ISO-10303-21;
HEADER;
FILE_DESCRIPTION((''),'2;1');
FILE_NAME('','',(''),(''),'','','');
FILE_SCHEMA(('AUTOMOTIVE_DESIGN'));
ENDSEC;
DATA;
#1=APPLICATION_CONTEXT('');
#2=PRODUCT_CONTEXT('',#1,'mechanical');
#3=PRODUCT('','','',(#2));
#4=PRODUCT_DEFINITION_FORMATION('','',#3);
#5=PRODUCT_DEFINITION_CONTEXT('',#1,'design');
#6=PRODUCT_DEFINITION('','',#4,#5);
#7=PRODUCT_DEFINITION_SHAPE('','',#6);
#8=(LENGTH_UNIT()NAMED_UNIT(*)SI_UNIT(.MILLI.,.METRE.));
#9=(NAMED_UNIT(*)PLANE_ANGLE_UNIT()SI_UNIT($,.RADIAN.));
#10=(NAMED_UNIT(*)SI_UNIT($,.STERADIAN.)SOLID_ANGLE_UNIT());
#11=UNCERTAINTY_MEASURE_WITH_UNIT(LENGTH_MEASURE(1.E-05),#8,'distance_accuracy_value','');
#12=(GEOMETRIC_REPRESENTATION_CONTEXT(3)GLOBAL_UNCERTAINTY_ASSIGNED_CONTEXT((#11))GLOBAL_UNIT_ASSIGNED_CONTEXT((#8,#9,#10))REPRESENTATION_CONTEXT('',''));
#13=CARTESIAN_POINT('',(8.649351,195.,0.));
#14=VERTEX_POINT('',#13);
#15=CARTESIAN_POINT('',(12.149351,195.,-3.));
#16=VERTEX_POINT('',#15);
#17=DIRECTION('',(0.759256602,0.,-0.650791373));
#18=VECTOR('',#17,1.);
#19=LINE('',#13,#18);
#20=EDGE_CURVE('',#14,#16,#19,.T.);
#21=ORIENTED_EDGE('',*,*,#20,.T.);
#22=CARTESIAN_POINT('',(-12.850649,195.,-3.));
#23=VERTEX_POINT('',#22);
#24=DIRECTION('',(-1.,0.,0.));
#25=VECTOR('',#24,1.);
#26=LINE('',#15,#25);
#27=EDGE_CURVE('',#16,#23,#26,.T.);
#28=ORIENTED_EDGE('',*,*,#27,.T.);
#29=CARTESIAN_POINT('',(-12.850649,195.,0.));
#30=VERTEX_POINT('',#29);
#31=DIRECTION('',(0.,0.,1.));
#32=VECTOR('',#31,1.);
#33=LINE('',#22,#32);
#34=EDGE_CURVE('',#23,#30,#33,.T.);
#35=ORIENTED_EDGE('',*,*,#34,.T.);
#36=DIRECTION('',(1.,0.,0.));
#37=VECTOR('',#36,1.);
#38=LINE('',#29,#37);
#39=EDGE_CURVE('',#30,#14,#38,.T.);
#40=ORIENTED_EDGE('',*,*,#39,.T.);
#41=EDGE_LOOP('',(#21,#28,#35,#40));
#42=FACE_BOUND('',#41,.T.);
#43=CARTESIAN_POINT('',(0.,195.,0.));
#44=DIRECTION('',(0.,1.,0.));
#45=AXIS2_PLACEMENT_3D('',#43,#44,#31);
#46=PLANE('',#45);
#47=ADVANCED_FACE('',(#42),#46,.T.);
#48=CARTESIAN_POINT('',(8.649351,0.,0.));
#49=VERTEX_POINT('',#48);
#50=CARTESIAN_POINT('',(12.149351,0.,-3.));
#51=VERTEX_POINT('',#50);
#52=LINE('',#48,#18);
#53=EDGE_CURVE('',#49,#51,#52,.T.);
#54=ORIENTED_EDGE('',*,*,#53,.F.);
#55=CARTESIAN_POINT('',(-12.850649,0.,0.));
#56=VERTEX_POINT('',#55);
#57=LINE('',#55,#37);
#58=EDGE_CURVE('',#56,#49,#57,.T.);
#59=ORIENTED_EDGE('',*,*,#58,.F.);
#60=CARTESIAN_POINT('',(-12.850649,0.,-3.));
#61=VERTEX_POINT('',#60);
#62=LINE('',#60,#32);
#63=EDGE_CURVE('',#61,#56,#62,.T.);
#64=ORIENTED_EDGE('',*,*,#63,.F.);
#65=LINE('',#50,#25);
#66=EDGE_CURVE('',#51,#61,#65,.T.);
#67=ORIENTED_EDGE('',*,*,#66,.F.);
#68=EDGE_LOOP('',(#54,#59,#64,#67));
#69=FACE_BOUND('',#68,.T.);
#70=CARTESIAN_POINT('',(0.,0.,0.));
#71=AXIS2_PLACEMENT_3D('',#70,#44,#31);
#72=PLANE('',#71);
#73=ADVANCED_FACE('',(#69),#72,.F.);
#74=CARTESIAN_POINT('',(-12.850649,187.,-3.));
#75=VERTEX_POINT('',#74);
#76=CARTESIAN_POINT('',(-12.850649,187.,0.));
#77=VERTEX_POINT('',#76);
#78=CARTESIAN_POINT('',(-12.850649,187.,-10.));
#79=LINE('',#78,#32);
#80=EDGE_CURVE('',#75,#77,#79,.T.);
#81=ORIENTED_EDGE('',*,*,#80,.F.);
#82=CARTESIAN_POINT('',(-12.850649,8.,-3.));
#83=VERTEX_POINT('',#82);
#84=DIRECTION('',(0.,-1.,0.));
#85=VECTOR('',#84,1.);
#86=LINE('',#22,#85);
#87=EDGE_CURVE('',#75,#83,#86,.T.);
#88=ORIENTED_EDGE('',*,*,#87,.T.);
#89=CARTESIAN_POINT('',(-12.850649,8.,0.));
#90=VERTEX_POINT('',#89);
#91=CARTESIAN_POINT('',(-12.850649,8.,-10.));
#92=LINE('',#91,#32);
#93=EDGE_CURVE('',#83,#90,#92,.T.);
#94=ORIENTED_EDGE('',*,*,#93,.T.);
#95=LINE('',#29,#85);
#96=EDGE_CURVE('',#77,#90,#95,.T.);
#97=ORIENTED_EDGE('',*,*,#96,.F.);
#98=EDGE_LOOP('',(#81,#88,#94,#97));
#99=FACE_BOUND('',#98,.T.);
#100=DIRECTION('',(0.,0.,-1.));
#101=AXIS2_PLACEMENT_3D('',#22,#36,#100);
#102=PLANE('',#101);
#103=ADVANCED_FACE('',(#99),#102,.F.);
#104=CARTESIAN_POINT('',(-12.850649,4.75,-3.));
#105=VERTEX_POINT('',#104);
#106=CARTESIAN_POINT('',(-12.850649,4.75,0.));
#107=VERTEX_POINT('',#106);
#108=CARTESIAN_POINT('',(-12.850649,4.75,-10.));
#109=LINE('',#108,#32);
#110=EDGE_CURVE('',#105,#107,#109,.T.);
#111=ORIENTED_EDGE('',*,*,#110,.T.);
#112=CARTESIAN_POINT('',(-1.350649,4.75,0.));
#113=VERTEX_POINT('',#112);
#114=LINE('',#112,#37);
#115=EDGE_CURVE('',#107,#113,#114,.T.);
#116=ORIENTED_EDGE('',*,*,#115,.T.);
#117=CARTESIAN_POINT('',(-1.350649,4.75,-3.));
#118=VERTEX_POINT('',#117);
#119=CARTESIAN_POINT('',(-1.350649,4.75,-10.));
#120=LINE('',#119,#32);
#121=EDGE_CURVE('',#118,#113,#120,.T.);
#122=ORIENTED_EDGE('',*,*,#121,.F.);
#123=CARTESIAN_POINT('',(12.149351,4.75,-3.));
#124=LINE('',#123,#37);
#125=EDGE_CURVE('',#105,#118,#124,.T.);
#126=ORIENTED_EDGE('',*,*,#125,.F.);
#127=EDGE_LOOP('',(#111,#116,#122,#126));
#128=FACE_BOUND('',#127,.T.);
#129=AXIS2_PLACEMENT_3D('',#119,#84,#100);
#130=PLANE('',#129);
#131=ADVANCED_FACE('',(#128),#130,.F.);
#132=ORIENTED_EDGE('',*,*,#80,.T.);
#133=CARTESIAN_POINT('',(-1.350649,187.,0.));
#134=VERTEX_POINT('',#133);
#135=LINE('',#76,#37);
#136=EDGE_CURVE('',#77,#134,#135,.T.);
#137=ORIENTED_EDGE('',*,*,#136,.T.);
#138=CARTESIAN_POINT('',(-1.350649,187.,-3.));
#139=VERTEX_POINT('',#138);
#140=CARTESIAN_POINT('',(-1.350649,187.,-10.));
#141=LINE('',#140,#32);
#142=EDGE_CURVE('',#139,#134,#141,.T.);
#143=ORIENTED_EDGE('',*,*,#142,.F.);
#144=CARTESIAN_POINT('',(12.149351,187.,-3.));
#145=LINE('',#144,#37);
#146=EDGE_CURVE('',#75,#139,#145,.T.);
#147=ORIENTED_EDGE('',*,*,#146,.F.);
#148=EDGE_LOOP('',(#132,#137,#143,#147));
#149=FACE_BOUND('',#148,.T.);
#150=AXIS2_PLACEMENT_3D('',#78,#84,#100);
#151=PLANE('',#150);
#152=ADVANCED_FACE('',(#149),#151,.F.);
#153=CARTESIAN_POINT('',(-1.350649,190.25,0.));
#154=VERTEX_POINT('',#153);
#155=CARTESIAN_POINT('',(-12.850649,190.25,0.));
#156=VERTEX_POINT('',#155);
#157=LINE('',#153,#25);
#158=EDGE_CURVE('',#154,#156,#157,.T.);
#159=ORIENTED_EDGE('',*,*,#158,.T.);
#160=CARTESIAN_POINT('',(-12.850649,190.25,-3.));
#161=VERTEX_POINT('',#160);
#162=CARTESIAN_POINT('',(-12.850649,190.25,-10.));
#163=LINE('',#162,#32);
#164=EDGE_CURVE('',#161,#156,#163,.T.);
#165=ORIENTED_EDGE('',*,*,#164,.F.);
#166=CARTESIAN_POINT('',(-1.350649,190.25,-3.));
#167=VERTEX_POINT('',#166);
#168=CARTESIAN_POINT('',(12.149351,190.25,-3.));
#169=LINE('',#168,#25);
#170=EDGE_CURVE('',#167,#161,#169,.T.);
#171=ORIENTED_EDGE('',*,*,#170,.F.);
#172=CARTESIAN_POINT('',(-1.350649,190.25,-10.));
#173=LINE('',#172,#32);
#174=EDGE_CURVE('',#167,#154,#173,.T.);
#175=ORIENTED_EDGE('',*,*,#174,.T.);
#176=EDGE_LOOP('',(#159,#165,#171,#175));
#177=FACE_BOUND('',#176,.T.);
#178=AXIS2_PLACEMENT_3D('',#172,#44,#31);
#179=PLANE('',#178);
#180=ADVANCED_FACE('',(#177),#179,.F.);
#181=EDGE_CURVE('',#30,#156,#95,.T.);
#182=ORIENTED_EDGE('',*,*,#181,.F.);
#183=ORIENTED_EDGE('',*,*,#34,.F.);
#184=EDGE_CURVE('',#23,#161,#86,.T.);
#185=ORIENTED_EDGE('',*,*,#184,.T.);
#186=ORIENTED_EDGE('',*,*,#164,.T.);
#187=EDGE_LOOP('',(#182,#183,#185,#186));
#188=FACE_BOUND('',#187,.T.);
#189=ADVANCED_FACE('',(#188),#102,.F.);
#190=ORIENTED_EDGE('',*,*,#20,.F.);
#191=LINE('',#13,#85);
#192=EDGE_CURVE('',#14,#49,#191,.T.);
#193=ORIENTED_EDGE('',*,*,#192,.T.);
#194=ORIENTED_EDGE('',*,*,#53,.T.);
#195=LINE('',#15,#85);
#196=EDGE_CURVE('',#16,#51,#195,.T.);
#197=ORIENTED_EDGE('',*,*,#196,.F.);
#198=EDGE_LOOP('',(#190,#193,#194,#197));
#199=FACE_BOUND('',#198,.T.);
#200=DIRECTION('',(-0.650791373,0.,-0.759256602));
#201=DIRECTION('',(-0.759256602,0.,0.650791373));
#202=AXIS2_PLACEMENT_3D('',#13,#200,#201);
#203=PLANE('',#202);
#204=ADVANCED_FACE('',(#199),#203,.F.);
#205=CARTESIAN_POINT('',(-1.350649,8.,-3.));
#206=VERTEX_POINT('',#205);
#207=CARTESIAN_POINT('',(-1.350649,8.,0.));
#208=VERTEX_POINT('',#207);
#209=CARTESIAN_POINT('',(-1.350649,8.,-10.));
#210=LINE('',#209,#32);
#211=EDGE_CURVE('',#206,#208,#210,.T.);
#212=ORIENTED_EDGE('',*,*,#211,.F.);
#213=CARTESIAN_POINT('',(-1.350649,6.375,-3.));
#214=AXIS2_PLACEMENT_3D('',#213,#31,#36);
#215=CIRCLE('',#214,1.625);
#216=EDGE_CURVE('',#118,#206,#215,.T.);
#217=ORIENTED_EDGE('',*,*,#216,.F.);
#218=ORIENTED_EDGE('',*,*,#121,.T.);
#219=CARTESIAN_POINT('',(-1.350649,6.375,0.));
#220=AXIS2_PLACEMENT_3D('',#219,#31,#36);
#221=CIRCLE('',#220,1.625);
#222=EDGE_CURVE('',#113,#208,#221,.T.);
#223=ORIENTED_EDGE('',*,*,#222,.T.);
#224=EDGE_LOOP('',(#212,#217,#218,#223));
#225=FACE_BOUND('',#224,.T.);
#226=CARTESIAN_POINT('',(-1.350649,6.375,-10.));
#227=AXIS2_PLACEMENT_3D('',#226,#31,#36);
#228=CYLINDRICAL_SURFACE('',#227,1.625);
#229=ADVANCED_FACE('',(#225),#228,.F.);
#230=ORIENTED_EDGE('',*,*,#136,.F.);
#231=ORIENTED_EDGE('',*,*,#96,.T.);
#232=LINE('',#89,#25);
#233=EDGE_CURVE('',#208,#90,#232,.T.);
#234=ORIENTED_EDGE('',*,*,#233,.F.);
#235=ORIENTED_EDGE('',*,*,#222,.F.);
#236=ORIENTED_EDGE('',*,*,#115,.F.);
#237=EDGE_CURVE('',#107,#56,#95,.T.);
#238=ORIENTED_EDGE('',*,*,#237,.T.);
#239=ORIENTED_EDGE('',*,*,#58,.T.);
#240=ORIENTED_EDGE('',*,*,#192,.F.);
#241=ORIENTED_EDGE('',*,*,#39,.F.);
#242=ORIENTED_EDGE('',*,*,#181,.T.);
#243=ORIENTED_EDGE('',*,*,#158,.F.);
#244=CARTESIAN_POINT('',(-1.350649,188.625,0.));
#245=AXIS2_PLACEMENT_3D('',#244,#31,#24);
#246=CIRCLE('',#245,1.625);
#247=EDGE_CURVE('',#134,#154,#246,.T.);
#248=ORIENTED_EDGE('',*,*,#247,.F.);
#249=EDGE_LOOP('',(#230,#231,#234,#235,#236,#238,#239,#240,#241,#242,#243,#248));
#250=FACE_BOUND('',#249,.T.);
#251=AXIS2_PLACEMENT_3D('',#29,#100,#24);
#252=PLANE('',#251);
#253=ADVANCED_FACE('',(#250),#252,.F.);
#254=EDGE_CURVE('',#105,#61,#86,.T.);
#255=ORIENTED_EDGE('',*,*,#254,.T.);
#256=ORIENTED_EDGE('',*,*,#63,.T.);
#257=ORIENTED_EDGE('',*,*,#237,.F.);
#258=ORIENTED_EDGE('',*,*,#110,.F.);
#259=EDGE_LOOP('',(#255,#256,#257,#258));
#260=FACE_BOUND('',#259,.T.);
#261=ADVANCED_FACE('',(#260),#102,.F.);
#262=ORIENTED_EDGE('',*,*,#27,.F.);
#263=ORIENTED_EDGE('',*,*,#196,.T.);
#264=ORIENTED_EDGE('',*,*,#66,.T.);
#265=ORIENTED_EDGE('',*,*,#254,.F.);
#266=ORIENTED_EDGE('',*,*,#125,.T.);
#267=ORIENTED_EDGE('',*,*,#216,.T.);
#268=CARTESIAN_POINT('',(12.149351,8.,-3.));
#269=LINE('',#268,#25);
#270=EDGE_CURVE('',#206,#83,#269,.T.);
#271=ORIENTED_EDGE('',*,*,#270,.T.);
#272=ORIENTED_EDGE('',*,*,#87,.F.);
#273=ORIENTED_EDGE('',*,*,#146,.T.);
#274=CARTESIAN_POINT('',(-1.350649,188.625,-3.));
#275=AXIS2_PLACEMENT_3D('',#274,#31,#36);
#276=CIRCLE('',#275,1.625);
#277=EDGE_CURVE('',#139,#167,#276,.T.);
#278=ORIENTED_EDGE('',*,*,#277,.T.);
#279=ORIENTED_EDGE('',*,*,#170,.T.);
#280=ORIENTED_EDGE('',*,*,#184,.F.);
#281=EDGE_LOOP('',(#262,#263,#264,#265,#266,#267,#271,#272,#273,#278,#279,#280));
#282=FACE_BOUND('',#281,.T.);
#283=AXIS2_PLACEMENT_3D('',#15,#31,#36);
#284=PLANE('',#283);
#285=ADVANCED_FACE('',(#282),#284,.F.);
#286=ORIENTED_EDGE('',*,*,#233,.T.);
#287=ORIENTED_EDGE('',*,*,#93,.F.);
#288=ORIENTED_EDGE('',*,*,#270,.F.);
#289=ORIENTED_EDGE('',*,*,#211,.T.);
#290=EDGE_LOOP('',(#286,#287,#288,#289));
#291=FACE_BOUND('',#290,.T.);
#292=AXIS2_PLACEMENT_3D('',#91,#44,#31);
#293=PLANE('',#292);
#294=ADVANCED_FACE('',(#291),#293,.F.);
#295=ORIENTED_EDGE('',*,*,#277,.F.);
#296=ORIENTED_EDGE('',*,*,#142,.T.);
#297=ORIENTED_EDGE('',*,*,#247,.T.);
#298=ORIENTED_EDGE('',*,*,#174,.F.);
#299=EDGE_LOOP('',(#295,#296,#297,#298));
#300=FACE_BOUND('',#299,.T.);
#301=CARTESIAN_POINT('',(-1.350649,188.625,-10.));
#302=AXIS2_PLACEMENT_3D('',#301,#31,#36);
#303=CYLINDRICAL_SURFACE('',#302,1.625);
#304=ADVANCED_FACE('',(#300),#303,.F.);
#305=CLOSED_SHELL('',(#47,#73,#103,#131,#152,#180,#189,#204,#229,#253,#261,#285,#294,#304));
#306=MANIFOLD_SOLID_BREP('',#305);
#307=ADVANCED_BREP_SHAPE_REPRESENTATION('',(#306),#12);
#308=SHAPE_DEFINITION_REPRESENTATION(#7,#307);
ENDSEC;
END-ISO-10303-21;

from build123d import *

# Parameters (mm, degrees)
BOSS_EXTRUDE1_DEPTH   = 195
CORTAR_EXTRUIR4_DEPTH = 10


with BuildPart() as part:
    # Sketch1 → Boss-Extrude1 (new body)
    with BuildSketch(Plane(origin=(0, 0, 0), x_dir=(1, 0, 0), z_dir=(0, 1, 0))):
        Polygon((-12.850649351, 0), (8.649350649, 0), (12.149350649, 3), (-12.850649351, 3), align=None)
    extrude(amount=BOSS_EXTRUDE1_DEPTH)

    # Croquis1 → Cortar-Extruir4 (cut)
    with BuildSketch(Plane.XY):
        with BuildLine():
            Line((-1.350649351, 4.75), (-12.850649351, 4.75))
            Line((-12.850649351, 4.75), (-12.850649351, 8))
            Line((-12.850649351, 8), (-1.350649351, 8))
            ThreePointArc((-1.350649351, 8), (0.274350649, 6.375), (-1.350649351, 4.75))
        make_face()
        with BuildLine():
            Line((-12.850649351, 187), (-1.350649351, 187))
            ThreePointArc((-1.350649351, 187), (0.274350649, 188.625), (-1.350649351, 190.25))
            Line((-1.350649351, 190.25), (-12.850649351, 190.25))
            Line((-12.850649351, 190.25), (-12.850649351, 187))
        make_face()
    extrude(amount=-CORTAR_EXTRUIR4_DEPTH, mode=Mode.SUBTRACT)


solid = part.part
